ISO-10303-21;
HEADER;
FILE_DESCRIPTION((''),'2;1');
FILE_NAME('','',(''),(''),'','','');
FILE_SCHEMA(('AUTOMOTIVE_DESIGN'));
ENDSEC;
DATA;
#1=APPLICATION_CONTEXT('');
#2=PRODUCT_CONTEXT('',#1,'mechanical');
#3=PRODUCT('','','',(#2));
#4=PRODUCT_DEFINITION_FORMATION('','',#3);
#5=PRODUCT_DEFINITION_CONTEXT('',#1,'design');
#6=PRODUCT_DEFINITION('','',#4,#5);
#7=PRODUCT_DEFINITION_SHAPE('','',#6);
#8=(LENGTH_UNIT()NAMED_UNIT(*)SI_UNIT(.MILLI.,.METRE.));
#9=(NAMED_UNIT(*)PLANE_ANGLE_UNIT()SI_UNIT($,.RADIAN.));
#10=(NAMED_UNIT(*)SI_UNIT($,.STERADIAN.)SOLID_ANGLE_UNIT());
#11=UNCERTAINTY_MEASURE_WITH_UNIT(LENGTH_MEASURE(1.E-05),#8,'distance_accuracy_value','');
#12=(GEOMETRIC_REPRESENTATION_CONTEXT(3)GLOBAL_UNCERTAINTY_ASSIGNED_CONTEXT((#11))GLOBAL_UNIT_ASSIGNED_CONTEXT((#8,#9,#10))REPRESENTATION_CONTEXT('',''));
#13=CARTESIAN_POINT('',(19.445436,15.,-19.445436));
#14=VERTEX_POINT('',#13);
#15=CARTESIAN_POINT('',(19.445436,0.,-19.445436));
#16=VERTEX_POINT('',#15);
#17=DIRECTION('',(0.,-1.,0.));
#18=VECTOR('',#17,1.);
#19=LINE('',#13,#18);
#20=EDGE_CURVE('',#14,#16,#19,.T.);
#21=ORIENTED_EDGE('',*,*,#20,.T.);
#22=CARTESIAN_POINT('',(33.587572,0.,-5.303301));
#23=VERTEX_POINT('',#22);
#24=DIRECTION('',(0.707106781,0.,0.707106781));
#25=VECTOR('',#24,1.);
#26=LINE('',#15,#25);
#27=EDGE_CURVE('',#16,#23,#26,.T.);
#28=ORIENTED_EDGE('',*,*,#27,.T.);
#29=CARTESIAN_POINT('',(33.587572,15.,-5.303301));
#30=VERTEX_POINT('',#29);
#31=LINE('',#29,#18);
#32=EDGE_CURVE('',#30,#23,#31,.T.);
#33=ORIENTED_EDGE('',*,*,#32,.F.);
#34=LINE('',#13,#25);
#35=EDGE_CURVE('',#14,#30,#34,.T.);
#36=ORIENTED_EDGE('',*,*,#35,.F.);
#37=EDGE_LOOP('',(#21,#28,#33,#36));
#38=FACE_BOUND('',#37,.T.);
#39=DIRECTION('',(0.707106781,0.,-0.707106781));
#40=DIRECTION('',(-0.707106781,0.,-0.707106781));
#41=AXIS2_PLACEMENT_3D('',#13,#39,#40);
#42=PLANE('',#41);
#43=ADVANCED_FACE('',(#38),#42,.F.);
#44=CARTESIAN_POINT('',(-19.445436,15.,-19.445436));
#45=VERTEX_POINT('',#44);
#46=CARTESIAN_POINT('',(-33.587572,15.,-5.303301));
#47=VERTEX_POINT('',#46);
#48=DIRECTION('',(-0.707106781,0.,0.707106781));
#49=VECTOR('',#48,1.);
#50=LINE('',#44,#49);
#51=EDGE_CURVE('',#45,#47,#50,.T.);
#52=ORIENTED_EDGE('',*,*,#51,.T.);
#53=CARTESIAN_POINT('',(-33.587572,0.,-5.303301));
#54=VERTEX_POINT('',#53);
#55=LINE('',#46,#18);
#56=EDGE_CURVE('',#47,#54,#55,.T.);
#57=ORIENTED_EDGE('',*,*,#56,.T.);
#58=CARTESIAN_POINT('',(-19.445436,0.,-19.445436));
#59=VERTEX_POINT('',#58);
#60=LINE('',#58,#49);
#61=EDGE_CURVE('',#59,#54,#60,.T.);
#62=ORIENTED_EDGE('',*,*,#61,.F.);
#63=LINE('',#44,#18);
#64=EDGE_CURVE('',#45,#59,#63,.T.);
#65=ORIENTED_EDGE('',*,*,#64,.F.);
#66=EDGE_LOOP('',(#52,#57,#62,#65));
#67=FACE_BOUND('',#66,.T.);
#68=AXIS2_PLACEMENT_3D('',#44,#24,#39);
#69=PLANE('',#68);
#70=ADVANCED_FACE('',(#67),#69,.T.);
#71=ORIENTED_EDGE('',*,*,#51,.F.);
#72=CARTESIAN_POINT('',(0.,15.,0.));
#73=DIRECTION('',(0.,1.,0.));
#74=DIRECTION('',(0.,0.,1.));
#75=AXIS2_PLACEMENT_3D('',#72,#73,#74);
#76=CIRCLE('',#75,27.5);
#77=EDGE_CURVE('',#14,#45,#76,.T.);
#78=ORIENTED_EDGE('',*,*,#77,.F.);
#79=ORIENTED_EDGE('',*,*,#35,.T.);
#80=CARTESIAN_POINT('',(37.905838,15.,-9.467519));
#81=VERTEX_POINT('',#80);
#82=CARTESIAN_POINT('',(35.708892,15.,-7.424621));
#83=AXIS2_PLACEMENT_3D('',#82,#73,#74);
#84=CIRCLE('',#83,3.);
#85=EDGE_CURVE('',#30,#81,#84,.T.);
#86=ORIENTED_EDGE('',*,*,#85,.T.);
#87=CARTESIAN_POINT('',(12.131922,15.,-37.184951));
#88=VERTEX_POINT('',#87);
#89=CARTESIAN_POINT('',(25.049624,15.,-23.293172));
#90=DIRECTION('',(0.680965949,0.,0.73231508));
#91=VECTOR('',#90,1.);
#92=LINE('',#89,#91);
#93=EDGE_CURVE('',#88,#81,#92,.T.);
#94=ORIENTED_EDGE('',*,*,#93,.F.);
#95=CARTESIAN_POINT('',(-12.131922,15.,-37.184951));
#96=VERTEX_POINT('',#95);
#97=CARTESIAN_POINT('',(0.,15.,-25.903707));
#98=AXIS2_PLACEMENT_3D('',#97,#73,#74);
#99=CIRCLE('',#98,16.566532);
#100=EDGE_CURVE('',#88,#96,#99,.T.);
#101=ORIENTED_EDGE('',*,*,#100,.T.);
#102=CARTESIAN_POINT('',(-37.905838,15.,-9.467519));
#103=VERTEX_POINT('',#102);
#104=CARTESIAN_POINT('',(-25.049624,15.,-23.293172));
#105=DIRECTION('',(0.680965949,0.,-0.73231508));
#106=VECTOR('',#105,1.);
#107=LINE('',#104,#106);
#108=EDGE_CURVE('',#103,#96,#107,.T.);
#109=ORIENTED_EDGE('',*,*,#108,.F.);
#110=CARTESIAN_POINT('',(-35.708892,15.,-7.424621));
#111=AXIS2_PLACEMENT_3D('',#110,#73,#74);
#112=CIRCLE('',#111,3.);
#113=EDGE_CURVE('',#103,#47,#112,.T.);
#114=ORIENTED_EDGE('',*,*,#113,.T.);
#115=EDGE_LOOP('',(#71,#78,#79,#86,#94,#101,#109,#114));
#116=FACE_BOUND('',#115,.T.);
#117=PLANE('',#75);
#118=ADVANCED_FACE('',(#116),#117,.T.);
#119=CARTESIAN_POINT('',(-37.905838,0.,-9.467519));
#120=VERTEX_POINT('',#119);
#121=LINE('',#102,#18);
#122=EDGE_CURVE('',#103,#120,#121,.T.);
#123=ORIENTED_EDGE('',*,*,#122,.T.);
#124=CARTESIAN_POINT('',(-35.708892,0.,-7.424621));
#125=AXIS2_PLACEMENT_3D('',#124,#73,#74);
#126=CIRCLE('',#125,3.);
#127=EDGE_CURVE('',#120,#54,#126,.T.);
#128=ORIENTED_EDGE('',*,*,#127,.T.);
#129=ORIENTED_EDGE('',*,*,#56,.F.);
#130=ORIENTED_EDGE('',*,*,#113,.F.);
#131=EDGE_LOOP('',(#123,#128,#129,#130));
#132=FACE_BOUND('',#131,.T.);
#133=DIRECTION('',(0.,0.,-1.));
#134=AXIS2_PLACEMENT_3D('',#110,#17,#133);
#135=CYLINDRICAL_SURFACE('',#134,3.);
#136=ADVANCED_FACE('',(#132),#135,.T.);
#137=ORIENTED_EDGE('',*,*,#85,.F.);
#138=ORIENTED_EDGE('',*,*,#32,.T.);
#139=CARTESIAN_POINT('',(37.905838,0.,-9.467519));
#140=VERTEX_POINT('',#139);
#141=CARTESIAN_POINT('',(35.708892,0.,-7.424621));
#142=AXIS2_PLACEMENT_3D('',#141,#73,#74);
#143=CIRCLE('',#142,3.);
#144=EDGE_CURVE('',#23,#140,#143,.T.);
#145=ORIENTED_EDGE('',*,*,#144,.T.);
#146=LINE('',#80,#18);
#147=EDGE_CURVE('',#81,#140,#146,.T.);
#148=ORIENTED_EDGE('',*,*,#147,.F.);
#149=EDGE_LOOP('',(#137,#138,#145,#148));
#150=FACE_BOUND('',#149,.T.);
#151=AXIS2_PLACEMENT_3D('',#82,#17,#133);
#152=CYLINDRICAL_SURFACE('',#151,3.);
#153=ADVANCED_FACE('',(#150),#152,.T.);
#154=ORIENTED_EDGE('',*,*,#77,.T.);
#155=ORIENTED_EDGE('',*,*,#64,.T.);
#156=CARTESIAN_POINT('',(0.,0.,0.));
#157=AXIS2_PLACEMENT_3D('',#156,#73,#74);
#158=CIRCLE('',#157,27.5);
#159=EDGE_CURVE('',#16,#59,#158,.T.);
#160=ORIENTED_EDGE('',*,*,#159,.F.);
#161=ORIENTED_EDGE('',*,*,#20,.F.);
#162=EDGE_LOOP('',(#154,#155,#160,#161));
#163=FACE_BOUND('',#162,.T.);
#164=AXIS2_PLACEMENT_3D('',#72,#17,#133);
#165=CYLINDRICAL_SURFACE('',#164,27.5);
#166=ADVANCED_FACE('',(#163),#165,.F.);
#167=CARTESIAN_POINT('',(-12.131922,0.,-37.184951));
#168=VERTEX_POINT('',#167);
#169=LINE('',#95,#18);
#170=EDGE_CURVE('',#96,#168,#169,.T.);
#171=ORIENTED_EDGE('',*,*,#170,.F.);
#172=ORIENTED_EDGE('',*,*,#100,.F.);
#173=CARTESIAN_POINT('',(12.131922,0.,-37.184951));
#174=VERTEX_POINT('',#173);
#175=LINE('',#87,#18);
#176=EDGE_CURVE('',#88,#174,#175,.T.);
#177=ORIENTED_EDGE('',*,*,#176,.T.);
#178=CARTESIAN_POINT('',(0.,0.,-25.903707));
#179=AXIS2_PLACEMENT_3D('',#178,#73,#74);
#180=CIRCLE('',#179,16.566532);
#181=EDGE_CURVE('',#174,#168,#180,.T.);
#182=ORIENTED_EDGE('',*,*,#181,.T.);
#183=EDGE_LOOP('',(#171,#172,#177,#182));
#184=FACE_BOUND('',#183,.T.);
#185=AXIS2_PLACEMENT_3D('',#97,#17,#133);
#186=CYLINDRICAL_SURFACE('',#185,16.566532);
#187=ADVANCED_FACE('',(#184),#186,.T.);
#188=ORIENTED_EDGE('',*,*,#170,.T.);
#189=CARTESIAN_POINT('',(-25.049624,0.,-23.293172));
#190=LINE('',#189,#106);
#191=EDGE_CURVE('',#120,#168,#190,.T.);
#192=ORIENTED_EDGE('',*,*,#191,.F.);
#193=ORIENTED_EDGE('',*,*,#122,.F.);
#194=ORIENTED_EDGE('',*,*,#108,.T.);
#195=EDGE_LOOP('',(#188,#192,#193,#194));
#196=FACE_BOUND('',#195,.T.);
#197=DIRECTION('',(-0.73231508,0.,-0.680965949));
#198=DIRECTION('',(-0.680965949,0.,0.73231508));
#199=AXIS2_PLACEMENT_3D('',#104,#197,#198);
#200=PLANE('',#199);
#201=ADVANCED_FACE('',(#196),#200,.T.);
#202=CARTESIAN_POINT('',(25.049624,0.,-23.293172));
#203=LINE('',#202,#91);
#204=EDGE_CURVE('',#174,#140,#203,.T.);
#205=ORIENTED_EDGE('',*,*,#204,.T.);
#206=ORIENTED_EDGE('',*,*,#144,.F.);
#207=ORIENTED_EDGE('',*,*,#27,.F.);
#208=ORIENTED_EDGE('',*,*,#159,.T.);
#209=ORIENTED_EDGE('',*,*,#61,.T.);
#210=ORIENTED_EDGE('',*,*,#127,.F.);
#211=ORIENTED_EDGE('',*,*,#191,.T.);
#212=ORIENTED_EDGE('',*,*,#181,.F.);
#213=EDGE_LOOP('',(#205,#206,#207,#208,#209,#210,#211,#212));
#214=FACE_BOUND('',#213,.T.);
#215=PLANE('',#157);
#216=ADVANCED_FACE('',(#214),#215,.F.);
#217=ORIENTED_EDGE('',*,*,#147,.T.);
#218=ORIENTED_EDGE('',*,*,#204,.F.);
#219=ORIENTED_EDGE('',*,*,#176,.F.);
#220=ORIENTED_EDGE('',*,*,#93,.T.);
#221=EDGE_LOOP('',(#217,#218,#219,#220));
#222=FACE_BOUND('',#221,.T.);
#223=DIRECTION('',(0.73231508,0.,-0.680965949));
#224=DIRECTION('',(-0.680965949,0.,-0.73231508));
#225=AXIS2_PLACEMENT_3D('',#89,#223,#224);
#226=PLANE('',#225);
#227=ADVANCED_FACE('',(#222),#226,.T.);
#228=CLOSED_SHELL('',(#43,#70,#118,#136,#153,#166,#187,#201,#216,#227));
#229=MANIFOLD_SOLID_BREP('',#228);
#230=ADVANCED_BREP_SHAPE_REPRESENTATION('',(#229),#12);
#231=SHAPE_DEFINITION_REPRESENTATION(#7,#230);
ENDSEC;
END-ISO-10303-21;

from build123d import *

# Parameters (mm, degrees)
BOSS_EXTRUDE1_DEPTH = 15


with BuildPart() as part:
    # Sketch1 → Boss-Extrude1 (new body)
    with BuildSketch(Plane(origin=(0, 0, 0), x_dir=(1, 0, 0), z_dir=(0, 1, 0))):
        with BuildLine():
            Line((-19.445436483, 19.445436483), (-33.587572106, 5.303300859))
            ThreePointArc((-33.587572106, 5.303300859), (-37.791344866, 5.265132389), (-37.90583769, 9.467519049))
            Line((-37.90583769, 9.467519049), (-12.131921555, 37.184951157))
            ThreePointArc((-12.131921555, 37.184951157), (0, 42.470239124), (12.131921555, 37.184951157))
            Line((12.131921555, 37.184951157), (37.90583769, 9.467519049))
            ThreePointArc((37.90583769, 9.467519049), (37.791344866, 5.265132389), (33.587572106, 5.303300859))
            Line((33.587572106, 5.303300859), (19.445436483, 19.445436483))
            ThreePointArc((19.445436483, 19.445436483), (0, 27.5), (-19.445436483, 19.445436483))
        make_face()
    extrude(amount=BOSS_EXTRUDE1_DEPTH)


solid = part.part
